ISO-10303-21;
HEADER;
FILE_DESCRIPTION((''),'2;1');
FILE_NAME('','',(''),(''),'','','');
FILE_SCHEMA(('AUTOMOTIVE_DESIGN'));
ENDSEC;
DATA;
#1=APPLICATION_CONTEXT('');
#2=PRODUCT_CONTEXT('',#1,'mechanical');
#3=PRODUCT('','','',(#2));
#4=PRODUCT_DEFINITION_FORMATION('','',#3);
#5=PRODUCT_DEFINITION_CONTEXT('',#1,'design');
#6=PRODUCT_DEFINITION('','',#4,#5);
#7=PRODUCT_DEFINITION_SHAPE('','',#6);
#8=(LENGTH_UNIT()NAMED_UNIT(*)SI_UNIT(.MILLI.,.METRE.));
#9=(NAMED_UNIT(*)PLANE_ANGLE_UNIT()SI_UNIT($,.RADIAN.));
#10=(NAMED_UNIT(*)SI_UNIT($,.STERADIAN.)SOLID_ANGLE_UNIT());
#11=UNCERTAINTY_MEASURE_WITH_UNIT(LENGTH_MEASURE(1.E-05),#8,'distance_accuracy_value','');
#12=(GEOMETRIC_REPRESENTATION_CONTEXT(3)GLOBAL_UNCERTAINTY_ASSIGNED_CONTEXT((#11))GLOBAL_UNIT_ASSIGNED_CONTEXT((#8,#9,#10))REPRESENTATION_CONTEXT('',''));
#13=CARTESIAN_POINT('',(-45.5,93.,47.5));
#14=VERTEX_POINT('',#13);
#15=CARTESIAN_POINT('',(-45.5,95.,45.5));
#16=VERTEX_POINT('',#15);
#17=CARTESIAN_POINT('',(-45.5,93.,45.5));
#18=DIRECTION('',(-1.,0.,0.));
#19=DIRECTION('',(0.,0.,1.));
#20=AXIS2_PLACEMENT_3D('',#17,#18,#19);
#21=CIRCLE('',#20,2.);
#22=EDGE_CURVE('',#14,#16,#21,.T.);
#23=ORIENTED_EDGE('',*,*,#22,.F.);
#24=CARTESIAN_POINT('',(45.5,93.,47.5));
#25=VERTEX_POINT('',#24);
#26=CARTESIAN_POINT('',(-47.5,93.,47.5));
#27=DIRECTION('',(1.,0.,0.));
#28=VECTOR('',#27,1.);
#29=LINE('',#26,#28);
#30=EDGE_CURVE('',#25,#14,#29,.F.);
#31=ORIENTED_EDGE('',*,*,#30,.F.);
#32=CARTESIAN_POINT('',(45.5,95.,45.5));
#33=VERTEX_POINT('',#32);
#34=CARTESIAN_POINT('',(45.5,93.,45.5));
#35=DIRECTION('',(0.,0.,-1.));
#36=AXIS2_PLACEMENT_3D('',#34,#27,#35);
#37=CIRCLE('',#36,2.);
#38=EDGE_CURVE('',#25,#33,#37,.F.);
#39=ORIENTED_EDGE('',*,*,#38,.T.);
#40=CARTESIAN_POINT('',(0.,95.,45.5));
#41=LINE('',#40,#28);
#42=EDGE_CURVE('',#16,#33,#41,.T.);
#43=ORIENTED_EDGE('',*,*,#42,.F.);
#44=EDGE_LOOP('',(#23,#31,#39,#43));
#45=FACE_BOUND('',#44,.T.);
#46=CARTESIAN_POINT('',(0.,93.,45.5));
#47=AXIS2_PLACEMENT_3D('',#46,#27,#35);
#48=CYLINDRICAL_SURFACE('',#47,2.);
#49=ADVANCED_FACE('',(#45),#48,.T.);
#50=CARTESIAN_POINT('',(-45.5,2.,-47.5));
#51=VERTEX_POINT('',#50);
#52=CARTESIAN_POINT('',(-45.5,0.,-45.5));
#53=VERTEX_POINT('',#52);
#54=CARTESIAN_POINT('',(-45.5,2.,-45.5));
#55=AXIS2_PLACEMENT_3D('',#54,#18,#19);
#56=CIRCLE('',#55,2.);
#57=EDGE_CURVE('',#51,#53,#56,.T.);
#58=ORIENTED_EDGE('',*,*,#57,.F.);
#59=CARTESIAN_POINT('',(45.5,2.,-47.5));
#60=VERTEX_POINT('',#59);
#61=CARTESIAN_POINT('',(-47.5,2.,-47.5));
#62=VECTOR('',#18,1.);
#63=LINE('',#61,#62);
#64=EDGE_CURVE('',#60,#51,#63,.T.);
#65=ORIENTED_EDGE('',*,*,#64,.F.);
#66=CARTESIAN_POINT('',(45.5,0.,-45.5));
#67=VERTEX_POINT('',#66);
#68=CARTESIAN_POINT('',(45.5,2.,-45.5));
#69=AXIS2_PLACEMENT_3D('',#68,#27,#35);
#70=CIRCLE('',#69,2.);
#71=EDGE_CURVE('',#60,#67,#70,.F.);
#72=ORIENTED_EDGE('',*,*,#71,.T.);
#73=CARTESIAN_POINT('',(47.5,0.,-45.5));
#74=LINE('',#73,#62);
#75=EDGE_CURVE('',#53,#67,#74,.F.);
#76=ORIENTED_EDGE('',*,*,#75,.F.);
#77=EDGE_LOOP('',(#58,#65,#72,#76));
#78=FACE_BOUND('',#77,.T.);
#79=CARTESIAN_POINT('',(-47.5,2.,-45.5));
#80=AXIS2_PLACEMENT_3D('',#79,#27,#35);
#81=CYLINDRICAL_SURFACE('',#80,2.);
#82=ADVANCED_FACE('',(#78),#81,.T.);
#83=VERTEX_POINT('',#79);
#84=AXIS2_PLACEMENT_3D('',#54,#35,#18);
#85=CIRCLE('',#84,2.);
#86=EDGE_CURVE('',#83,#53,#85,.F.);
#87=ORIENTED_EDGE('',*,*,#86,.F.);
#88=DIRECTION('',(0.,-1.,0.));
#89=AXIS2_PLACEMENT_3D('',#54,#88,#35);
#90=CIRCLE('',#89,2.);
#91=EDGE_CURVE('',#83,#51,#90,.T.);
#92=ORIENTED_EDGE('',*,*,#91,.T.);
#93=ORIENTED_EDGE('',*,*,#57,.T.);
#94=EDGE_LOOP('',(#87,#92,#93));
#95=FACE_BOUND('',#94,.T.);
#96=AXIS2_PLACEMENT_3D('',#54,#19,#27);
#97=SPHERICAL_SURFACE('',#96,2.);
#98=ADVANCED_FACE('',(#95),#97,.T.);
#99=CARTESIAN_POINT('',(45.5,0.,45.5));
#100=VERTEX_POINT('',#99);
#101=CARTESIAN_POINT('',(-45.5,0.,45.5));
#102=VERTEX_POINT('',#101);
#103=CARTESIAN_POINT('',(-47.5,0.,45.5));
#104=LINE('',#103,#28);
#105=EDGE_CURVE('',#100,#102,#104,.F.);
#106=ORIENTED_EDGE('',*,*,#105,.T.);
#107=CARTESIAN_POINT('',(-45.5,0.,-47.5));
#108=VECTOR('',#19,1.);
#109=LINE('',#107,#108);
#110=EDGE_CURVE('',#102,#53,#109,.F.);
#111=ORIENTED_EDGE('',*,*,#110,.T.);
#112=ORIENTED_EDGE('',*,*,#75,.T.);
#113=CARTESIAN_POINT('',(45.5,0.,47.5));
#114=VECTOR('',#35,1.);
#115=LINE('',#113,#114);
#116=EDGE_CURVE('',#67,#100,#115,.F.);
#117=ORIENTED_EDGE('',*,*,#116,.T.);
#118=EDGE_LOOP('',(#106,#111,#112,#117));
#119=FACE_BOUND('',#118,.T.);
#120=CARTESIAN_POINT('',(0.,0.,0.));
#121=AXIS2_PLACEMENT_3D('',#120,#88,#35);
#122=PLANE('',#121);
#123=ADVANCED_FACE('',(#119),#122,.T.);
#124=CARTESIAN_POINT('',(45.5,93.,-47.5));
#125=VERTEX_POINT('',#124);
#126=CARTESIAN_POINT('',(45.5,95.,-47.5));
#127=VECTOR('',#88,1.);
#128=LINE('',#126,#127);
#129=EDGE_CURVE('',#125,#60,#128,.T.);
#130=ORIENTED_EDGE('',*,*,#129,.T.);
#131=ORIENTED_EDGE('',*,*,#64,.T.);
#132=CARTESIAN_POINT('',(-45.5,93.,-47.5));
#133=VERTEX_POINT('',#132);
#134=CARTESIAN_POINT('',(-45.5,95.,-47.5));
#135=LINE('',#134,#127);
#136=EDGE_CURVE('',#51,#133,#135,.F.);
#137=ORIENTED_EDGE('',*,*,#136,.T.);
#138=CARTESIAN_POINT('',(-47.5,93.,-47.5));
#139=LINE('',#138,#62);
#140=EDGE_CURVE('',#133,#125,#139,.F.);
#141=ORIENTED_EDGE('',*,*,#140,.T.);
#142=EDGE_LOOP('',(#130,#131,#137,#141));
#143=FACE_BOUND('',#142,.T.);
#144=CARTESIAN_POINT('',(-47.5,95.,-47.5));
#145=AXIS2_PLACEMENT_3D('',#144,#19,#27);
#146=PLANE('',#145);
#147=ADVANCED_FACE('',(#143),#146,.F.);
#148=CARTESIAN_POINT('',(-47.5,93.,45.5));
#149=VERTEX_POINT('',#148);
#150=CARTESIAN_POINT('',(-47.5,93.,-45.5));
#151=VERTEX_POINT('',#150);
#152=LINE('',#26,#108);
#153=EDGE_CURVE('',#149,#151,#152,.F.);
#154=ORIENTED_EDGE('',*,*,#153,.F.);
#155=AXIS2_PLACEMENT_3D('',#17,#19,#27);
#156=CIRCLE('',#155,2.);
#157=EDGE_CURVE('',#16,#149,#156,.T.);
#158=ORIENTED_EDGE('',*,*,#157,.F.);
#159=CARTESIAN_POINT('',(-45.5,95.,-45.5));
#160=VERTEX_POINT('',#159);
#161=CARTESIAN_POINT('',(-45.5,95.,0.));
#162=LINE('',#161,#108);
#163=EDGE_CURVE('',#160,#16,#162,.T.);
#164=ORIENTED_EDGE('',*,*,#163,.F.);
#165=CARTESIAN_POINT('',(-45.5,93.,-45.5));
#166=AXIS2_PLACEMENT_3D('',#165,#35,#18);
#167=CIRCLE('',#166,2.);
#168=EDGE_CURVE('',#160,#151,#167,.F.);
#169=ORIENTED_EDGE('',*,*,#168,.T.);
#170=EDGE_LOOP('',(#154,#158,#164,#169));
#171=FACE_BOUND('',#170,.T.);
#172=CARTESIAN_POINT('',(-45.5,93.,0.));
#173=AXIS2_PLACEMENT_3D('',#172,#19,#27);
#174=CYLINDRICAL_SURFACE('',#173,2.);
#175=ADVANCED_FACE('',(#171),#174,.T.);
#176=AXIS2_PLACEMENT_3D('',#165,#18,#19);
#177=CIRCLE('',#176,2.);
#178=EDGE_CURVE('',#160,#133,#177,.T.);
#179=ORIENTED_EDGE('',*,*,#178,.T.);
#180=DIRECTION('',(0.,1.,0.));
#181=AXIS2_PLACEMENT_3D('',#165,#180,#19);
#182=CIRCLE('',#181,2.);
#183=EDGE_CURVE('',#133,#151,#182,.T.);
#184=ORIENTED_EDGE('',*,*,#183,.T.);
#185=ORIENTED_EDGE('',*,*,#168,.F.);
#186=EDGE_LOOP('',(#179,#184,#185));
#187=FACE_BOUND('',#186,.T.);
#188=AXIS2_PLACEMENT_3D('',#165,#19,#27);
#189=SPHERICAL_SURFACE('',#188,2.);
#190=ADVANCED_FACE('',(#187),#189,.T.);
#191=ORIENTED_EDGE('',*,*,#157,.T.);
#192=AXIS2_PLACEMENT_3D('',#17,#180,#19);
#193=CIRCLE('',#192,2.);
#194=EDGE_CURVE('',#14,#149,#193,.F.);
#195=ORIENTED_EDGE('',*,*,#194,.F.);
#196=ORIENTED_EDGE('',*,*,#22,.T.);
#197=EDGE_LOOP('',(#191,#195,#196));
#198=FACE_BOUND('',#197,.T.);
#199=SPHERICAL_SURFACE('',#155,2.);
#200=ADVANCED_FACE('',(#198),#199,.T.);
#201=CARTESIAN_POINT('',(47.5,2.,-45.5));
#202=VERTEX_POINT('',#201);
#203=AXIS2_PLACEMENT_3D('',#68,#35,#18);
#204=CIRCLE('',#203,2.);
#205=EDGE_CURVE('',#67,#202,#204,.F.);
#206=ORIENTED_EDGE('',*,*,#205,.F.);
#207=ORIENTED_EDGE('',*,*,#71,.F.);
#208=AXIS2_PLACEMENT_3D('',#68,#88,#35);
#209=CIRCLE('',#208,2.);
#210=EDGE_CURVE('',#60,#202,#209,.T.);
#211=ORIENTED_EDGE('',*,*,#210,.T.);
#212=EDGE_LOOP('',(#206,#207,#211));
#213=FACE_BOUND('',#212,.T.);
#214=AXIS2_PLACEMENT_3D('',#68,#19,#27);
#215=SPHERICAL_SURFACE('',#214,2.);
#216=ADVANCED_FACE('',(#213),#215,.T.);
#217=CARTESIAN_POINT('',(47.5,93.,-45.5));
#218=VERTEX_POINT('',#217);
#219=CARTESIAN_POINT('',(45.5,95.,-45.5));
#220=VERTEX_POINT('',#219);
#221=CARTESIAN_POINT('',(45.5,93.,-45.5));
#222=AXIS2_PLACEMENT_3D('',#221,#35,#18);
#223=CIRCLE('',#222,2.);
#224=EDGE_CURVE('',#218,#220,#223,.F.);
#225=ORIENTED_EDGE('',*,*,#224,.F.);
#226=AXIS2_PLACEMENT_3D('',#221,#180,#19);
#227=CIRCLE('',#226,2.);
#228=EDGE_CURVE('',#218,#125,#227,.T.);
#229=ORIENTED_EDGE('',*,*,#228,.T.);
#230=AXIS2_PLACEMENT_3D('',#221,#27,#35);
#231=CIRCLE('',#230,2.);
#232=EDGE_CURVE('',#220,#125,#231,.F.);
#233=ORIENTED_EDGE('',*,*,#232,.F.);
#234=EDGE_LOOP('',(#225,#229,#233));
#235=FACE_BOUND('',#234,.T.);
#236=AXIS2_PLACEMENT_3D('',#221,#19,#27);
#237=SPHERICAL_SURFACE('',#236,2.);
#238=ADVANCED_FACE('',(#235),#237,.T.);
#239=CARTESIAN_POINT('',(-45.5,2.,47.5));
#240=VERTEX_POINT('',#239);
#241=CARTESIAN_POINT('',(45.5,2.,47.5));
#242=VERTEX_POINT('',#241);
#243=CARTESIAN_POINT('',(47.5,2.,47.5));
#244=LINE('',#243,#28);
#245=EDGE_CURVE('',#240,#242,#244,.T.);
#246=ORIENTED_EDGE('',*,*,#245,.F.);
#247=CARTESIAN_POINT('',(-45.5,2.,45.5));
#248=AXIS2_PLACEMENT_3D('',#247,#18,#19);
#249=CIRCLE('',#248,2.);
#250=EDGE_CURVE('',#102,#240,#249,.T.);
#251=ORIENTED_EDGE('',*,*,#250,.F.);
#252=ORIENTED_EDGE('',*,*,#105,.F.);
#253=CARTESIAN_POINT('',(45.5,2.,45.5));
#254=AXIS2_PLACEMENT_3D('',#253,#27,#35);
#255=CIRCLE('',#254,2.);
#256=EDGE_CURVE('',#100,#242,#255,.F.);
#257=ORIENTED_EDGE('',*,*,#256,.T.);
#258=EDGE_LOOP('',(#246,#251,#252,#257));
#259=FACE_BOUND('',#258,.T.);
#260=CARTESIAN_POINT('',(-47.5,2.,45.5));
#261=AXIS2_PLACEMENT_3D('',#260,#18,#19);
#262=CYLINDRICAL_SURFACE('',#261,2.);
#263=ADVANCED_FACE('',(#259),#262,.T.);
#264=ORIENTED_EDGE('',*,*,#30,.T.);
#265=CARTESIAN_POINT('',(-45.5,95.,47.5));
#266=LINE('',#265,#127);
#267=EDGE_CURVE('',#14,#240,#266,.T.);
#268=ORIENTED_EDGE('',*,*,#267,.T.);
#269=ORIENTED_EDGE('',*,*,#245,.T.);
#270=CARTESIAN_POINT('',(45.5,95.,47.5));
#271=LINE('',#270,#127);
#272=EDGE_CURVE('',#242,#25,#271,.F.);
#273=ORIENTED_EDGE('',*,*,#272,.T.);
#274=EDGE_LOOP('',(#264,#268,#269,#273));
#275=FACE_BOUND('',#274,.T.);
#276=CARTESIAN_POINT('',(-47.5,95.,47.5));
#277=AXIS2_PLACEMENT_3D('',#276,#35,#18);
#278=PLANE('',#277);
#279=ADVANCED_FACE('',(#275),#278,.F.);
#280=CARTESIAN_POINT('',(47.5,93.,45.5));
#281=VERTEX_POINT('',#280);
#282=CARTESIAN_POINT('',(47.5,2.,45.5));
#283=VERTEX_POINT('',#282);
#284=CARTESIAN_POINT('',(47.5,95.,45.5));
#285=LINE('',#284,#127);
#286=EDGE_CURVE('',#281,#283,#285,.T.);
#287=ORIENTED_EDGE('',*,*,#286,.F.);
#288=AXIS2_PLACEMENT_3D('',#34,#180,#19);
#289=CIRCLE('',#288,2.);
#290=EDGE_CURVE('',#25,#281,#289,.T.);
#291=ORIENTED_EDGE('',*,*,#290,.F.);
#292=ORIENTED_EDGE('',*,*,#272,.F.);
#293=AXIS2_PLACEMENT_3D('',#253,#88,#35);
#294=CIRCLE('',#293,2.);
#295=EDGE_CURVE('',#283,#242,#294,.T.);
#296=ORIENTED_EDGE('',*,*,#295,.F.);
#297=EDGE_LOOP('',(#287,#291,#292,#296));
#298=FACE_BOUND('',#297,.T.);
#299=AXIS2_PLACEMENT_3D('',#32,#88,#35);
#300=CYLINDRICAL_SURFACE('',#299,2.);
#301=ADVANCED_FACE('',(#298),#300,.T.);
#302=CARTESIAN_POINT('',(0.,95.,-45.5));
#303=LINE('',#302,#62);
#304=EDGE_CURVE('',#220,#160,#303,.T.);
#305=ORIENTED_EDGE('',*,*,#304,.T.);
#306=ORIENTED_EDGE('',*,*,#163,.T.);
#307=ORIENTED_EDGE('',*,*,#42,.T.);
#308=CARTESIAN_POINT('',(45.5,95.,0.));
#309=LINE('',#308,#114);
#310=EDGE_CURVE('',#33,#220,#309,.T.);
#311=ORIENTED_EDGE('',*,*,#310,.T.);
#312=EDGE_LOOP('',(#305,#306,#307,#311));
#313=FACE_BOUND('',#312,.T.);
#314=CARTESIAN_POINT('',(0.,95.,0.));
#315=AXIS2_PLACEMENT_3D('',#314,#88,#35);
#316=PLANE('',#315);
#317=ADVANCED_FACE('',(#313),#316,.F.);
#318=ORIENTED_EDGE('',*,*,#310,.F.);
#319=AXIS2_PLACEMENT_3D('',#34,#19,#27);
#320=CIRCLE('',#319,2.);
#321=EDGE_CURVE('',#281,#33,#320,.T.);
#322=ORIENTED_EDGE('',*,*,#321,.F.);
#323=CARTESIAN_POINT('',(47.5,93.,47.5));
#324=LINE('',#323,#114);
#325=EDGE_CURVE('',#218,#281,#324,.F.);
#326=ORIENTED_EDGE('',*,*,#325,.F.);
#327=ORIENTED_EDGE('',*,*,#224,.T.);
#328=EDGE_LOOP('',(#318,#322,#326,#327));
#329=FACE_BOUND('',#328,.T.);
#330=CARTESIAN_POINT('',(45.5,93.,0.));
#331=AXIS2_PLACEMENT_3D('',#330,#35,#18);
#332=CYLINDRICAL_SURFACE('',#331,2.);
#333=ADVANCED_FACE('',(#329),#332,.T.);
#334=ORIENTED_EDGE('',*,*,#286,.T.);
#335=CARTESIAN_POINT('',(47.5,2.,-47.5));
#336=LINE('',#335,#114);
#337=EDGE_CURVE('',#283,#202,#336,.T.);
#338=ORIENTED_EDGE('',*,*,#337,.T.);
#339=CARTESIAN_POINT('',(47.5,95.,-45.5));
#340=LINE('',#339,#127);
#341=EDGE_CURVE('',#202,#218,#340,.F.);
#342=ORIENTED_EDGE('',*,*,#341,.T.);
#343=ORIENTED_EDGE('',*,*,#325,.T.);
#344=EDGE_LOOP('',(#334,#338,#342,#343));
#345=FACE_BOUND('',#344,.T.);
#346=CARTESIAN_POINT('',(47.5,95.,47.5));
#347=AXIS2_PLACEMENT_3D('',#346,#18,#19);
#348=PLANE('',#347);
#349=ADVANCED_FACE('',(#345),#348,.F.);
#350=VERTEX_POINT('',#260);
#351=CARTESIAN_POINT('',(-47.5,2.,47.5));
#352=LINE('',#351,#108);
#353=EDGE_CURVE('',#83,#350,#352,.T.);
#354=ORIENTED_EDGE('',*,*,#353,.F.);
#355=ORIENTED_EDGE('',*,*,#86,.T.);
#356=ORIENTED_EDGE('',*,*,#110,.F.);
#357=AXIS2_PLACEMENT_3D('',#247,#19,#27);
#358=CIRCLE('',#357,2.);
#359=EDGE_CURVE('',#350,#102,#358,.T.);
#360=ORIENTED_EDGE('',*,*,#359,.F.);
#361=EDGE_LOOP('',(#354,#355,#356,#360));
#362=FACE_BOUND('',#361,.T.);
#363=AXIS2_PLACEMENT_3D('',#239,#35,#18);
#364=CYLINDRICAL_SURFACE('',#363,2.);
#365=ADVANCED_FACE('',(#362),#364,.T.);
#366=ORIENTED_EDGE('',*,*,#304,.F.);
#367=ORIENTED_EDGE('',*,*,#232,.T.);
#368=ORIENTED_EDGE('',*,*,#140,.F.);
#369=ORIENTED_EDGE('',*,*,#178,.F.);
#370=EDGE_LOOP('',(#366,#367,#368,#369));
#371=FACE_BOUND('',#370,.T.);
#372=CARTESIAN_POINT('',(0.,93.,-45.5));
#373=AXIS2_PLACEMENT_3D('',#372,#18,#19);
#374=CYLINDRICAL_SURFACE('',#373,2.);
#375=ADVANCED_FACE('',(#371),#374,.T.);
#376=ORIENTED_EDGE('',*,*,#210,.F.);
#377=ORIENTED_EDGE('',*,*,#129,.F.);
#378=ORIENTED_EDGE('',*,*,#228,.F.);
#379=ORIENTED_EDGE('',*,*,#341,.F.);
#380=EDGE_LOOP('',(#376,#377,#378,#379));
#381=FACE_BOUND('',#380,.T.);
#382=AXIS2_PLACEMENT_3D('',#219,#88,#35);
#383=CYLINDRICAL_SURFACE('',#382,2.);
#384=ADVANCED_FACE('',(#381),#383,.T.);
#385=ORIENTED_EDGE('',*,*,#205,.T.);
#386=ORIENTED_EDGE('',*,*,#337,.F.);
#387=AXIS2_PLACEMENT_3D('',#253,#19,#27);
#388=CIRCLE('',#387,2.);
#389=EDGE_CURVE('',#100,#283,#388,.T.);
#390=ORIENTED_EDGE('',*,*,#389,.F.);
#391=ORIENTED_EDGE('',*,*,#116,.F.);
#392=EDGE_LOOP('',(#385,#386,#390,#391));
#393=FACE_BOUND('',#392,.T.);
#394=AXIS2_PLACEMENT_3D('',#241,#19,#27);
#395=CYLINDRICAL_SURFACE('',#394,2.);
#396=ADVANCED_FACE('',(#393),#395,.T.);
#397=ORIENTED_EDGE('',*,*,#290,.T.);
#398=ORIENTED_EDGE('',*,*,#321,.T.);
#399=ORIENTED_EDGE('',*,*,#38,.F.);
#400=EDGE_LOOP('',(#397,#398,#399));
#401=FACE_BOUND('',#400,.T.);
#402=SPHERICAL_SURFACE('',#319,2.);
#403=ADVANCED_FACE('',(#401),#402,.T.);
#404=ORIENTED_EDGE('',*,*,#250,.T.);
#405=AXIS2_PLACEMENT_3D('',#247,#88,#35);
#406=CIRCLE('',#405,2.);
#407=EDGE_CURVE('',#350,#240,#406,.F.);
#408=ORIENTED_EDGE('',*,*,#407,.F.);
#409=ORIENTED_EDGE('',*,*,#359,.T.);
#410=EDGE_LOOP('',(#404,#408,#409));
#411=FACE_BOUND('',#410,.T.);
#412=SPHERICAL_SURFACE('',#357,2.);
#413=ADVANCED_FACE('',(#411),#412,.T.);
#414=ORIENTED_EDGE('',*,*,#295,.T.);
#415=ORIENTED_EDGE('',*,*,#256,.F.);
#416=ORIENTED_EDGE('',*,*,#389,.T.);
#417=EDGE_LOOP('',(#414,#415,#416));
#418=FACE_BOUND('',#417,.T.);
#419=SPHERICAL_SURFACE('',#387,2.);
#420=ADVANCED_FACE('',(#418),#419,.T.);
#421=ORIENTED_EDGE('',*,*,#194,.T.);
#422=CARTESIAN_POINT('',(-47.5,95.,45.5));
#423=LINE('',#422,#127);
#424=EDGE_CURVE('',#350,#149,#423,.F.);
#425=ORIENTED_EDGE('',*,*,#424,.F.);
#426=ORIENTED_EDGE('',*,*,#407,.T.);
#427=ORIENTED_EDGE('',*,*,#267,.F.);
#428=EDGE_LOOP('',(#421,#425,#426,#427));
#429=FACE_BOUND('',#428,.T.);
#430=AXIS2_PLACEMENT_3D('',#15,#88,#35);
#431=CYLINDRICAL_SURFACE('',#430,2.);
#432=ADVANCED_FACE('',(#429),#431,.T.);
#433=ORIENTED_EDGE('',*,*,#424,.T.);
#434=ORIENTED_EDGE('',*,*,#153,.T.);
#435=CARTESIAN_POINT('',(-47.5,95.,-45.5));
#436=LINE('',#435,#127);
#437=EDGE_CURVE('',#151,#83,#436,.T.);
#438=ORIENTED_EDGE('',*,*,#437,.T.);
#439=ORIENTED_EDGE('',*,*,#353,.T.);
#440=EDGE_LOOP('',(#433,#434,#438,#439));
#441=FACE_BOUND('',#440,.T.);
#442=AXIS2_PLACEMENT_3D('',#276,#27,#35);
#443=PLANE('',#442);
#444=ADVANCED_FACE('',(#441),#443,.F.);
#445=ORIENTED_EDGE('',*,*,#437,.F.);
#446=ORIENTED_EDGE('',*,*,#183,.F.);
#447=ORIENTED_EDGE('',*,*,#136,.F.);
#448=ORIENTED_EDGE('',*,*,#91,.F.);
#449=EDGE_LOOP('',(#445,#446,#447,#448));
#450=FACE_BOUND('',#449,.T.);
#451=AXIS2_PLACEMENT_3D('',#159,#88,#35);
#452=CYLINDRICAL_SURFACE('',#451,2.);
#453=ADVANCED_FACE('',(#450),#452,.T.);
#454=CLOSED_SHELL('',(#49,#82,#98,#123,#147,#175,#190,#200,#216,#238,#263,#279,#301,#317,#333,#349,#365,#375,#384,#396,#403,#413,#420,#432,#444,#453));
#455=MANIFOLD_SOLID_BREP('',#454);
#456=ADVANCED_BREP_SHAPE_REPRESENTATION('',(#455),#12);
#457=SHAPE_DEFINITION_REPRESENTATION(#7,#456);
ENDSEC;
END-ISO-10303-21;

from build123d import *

# Parameters (mm, degrees)
SKETCH2_W           = 95
SKETCH2_H           = 95
BOSS_EXTRUDE1_DEPTH = 95
FILLET1_R           = 2


with BuildPart() as part:
    # Sketch2 → Boss-Extrude1 (new body)
    with BuildSketch(Plane(origin=(0, 0, 0), x_dir=(1, 0, 0), z_dir=(0, 1, 0))):
        Rectangle(SKETCH2_W, SKETCH2_H)
    extrude(amount=BOSS_EXTRUDE1_DEPTH)

    # Fillet1
    fillet1_edges = [part.edges().sort_by_distance(p)[0] for p in [
        (-47.5, 95, 0),
        (0, 95, 47.5),
        (47.5, 95, 0),
        (0, 0, 47.5),
        (-47.5, 0, 0),
        (0, 0, -47.5),
        (47.5, 0, 0),
        (0, 95, -47.5),
        (47.5, 47.5, 47.5),
        (-47.5, 47.5, 47.5),
        (-47.5, 47.5, -47.5),
        (47.5, 47.5, -47.5),
    ]]
    fillet(fillet1_edges, radius=FILLET1_R)


solid = part.part
